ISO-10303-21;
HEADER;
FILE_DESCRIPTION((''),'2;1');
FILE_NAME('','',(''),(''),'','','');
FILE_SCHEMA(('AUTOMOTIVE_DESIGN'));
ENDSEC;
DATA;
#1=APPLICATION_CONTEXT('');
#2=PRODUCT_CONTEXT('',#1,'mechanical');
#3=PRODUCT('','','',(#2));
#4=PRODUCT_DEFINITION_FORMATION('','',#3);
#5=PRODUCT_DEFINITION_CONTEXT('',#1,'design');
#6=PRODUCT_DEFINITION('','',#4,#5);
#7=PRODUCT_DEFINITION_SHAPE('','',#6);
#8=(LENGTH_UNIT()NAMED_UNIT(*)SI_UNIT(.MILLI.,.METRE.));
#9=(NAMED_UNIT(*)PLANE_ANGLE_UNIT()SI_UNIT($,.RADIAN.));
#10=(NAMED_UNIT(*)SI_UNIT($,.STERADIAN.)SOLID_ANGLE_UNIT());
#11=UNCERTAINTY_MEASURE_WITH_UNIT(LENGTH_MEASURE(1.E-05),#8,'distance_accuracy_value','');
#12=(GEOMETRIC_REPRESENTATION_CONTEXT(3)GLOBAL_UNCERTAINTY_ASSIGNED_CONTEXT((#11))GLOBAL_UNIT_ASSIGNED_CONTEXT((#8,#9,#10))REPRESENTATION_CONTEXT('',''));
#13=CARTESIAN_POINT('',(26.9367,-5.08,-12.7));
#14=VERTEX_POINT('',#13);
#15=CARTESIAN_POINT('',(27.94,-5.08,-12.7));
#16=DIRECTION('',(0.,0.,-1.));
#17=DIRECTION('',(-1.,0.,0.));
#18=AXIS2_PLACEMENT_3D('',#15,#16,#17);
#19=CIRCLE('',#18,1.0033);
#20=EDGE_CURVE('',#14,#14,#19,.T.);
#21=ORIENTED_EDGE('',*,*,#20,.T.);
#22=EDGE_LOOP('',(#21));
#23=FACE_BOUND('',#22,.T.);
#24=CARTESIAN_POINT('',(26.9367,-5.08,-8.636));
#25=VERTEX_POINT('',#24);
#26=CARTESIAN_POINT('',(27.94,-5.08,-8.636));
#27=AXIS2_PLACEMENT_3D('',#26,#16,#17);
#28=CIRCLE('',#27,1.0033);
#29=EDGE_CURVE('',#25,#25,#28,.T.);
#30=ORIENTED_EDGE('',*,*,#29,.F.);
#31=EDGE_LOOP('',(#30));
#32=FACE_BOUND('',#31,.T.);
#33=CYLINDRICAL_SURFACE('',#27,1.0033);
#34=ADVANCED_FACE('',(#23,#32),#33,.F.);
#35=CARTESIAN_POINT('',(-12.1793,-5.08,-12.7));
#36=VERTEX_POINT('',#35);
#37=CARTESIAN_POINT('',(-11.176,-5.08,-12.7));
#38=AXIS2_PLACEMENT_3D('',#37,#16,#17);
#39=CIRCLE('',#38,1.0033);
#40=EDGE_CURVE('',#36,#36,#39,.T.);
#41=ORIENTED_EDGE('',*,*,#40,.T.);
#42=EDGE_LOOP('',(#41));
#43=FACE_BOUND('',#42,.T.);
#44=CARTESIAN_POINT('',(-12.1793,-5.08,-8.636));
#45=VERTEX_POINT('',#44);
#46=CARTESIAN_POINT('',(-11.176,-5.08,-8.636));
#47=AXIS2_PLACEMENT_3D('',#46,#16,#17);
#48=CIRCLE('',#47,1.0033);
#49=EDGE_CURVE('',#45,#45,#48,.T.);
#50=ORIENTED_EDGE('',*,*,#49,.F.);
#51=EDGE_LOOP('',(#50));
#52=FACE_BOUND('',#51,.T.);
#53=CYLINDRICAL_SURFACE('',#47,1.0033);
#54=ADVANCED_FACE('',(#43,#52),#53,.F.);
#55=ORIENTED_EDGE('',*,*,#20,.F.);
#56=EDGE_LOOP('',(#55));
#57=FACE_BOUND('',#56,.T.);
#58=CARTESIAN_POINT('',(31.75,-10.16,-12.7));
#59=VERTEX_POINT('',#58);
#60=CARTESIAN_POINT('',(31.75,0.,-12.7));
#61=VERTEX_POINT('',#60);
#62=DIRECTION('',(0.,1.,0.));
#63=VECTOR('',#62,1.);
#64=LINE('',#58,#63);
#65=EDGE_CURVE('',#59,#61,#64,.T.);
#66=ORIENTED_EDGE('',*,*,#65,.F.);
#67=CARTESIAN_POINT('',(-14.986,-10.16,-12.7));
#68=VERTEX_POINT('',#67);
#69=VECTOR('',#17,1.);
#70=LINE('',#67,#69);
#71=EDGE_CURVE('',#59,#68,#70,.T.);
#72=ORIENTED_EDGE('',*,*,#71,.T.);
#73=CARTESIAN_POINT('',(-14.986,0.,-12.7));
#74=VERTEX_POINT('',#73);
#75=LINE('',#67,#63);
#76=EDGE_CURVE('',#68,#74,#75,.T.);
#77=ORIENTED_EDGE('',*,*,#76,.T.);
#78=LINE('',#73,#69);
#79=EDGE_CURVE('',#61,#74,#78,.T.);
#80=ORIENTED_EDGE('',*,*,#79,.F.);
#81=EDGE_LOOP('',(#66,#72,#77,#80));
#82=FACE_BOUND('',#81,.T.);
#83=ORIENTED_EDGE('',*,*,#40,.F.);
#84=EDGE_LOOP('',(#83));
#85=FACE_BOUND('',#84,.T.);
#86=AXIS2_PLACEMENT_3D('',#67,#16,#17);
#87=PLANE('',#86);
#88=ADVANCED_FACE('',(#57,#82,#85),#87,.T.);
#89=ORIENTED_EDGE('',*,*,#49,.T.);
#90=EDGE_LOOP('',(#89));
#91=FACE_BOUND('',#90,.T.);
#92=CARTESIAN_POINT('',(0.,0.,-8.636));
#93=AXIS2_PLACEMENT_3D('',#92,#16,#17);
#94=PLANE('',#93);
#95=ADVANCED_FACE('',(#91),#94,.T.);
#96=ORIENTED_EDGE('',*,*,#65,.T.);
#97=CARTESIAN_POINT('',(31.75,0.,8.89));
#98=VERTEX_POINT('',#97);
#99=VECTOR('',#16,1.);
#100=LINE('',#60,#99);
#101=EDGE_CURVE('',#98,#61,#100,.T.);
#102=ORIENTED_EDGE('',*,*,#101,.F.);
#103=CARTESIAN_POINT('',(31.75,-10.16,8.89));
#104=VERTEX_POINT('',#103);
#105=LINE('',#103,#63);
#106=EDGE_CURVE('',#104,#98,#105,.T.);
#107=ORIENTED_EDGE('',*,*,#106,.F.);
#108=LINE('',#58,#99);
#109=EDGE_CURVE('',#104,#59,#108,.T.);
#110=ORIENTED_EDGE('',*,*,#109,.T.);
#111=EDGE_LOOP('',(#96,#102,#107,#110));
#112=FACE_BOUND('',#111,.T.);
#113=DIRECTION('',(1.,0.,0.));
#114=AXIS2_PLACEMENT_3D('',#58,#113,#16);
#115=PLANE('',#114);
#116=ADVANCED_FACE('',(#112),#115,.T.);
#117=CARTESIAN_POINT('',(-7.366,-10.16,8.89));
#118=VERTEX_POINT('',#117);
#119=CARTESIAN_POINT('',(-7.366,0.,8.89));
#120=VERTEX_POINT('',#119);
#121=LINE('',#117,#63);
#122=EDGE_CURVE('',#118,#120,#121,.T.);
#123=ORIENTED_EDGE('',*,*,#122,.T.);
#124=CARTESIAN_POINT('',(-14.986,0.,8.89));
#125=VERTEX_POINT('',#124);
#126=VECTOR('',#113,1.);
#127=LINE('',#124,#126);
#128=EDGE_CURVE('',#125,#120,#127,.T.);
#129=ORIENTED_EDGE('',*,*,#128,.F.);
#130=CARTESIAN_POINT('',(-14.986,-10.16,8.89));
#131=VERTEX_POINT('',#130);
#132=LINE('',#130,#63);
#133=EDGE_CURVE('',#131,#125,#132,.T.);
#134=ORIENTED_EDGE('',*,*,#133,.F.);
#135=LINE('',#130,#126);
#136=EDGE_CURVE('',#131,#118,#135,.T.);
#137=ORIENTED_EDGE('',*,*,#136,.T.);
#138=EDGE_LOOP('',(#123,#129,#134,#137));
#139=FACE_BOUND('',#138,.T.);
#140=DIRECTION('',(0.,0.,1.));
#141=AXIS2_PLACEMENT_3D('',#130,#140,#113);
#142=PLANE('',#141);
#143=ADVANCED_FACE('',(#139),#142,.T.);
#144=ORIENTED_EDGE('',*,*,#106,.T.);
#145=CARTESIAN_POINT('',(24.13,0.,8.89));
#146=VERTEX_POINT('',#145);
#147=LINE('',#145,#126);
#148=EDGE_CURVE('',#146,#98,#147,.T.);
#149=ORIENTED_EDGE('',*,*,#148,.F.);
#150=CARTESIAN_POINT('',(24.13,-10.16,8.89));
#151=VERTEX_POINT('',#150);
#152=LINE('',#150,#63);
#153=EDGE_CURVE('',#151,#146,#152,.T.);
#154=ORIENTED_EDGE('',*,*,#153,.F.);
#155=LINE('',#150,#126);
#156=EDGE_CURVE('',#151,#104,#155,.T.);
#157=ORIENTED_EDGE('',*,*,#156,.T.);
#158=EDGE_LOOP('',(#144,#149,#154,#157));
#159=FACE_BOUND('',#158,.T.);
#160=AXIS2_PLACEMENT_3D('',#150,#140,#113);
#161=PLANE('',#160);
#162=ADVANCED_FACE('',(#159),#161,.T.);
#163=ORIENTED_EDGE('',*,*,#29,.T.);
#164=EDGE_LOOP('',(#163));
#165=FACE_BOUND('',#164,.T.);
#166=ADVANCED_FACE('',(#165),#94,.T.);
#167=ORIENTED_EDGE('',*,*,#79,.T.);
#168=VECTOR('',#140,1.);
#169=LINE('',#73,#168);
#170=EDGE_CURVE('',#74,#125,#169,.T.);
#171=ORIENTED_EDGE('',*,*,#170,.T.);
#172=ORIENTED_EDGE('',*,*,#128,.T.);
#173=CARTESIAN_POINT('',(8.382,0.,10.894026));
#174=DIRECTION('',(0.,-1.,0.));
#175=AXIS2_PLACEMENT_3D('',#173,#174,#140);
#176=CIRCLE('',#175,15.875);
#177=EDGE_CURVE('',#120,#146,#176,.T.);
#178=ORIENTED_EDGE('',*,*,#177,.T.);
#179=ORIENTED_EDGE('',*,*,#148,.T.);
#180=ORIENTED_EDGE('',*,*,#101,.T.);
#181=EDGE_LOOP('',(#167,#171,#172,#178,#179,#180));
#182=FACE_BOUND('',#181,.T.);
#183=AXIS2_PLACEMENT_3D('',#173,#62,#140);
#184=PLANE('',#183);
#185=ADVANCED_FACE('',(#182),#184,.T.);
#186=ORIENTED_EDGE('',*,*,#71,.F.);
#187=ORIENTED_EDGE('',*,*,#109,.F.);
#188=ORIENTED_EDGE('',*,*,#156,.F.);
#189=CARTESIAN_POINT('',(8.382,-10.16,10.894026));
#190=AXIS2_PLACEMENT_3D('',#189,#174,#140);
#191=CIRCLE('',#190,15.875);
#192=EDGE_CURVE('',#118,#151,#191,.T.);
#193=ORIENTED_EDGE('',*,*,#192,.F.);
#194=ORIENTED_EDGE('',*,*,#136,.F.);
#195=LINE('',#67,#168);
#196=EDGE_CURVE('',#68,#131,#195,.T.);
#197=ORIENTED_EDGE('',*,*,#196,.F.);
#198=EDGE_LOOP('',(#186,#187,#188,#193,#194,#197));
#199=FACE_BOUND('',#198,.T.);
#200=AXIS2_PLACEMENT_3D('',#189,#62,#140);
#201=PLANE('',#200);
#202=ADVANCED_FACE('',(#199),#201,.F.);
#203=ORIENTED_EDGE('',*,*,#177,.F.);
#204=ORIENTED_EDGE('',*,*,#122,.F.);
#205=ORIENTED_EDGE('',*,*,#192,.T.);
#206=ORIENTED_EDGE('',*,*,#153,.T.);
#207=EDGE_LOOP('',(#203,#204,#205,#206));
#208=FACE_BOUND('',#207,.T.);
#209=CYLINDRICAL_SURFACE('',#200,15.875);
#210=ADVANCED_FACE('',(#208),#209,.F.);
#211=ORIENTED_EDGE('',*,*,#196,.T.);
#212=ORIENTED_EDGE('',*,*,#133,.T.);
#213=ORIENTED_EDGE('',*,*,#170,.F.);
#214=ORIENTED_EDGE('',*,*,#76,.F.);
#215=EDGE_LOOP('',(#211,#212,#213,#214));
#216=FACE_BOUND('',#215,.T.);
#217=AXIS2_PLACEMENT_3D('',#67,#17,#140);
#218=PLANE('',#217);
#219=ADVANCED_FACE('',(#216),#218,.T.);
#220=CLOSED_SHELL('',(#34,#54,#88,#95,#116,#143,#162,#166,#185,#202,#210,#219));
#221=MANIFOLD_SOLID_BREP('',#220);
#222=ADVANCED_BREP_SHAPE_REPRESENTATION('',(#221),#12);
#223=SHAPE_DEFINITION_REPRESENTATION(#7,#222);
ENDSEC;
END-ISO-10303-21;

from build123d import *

# Parameters (mm, degrees)
BOSS_EXTRUDE1_DEPTH = 10.16
CUT_EXTRUDE1_DEPTH  = 4.064


with BuildPart() as part:
    # Sketch2 → Boss-Extrude1 (new body)
    with BuildSketch(Plane(origin=(0, 0, 0), x_dir=(1, 0, 0), z_dir=(0, 1, 0))):
        with BuildLine():
            Line((-14.986, -8.89), (-7.366, -8.89))
            ThreePointArc((-7.366, -8.89), (8.382, 4.980973803), (24.13, -8.89))
            Line((24.13, -8.89), (31.75, -8.89))
            Line((31.75, -8.89), (31.75, 12.7))
            Line((31.75, 12.7), (-14.986, 12.7))
            Line((-14.986, 12.7), (-14.986, -8.89))
        make_face()
    extrude(amount=-BOSS_EXTRUDE1_DEPTH)

    # Sketch6 → Cut-Extrude1 (cut)
    with BuildSketch(Plane(origin=(0, 0, -12.7), x_dir=(-1, 0, 0), z_dir=(0, 0, -1))):
        with BuildLine():
            ThreePointArc((-28.9433, -5.08), (-27.94, -6.0833), (-26.9367, -5.08))
            Line((-26.9367, -5.08), (-27.94, -5.08))
            Line((-27.94, -5.08), (-28.9433, -5.08))
        make_face()
        with BuildLine():
            Line((-27.94, -5.08), (-26.9367, -5.08))
            ThreePointArc((-26.9367, -5.08), (-27.94, -4.0767), (-28.9433, -5.08))
            Line((-28.9433, -5.08), (-27.94, -5.08))
        make_face()
        with BuildLine():
            Line((10.1727, -5.08), (11.176, -5.08))
            Line((11.176, -5.08), (12.1793, -5.08))
            ThreePointArc((12.1793, -5.08), (11.176, -4.0767), (10.1727, -5.08))
        make_face()
        with BuildLine():
            Line((12.1793, -5.08), (11.176, -5.08))
            Line((11.176, -5.08), (10.1727, -5.08))
            ThreePointArc((10.1727, -5.08), (11.176, -6.0833), (12.1793, -5.08))
        make_face()
    extrude(amount=-CUT_EXTRUDE1_DEPTH, mode=Mode.SUBTRACT)


solid = part.part
